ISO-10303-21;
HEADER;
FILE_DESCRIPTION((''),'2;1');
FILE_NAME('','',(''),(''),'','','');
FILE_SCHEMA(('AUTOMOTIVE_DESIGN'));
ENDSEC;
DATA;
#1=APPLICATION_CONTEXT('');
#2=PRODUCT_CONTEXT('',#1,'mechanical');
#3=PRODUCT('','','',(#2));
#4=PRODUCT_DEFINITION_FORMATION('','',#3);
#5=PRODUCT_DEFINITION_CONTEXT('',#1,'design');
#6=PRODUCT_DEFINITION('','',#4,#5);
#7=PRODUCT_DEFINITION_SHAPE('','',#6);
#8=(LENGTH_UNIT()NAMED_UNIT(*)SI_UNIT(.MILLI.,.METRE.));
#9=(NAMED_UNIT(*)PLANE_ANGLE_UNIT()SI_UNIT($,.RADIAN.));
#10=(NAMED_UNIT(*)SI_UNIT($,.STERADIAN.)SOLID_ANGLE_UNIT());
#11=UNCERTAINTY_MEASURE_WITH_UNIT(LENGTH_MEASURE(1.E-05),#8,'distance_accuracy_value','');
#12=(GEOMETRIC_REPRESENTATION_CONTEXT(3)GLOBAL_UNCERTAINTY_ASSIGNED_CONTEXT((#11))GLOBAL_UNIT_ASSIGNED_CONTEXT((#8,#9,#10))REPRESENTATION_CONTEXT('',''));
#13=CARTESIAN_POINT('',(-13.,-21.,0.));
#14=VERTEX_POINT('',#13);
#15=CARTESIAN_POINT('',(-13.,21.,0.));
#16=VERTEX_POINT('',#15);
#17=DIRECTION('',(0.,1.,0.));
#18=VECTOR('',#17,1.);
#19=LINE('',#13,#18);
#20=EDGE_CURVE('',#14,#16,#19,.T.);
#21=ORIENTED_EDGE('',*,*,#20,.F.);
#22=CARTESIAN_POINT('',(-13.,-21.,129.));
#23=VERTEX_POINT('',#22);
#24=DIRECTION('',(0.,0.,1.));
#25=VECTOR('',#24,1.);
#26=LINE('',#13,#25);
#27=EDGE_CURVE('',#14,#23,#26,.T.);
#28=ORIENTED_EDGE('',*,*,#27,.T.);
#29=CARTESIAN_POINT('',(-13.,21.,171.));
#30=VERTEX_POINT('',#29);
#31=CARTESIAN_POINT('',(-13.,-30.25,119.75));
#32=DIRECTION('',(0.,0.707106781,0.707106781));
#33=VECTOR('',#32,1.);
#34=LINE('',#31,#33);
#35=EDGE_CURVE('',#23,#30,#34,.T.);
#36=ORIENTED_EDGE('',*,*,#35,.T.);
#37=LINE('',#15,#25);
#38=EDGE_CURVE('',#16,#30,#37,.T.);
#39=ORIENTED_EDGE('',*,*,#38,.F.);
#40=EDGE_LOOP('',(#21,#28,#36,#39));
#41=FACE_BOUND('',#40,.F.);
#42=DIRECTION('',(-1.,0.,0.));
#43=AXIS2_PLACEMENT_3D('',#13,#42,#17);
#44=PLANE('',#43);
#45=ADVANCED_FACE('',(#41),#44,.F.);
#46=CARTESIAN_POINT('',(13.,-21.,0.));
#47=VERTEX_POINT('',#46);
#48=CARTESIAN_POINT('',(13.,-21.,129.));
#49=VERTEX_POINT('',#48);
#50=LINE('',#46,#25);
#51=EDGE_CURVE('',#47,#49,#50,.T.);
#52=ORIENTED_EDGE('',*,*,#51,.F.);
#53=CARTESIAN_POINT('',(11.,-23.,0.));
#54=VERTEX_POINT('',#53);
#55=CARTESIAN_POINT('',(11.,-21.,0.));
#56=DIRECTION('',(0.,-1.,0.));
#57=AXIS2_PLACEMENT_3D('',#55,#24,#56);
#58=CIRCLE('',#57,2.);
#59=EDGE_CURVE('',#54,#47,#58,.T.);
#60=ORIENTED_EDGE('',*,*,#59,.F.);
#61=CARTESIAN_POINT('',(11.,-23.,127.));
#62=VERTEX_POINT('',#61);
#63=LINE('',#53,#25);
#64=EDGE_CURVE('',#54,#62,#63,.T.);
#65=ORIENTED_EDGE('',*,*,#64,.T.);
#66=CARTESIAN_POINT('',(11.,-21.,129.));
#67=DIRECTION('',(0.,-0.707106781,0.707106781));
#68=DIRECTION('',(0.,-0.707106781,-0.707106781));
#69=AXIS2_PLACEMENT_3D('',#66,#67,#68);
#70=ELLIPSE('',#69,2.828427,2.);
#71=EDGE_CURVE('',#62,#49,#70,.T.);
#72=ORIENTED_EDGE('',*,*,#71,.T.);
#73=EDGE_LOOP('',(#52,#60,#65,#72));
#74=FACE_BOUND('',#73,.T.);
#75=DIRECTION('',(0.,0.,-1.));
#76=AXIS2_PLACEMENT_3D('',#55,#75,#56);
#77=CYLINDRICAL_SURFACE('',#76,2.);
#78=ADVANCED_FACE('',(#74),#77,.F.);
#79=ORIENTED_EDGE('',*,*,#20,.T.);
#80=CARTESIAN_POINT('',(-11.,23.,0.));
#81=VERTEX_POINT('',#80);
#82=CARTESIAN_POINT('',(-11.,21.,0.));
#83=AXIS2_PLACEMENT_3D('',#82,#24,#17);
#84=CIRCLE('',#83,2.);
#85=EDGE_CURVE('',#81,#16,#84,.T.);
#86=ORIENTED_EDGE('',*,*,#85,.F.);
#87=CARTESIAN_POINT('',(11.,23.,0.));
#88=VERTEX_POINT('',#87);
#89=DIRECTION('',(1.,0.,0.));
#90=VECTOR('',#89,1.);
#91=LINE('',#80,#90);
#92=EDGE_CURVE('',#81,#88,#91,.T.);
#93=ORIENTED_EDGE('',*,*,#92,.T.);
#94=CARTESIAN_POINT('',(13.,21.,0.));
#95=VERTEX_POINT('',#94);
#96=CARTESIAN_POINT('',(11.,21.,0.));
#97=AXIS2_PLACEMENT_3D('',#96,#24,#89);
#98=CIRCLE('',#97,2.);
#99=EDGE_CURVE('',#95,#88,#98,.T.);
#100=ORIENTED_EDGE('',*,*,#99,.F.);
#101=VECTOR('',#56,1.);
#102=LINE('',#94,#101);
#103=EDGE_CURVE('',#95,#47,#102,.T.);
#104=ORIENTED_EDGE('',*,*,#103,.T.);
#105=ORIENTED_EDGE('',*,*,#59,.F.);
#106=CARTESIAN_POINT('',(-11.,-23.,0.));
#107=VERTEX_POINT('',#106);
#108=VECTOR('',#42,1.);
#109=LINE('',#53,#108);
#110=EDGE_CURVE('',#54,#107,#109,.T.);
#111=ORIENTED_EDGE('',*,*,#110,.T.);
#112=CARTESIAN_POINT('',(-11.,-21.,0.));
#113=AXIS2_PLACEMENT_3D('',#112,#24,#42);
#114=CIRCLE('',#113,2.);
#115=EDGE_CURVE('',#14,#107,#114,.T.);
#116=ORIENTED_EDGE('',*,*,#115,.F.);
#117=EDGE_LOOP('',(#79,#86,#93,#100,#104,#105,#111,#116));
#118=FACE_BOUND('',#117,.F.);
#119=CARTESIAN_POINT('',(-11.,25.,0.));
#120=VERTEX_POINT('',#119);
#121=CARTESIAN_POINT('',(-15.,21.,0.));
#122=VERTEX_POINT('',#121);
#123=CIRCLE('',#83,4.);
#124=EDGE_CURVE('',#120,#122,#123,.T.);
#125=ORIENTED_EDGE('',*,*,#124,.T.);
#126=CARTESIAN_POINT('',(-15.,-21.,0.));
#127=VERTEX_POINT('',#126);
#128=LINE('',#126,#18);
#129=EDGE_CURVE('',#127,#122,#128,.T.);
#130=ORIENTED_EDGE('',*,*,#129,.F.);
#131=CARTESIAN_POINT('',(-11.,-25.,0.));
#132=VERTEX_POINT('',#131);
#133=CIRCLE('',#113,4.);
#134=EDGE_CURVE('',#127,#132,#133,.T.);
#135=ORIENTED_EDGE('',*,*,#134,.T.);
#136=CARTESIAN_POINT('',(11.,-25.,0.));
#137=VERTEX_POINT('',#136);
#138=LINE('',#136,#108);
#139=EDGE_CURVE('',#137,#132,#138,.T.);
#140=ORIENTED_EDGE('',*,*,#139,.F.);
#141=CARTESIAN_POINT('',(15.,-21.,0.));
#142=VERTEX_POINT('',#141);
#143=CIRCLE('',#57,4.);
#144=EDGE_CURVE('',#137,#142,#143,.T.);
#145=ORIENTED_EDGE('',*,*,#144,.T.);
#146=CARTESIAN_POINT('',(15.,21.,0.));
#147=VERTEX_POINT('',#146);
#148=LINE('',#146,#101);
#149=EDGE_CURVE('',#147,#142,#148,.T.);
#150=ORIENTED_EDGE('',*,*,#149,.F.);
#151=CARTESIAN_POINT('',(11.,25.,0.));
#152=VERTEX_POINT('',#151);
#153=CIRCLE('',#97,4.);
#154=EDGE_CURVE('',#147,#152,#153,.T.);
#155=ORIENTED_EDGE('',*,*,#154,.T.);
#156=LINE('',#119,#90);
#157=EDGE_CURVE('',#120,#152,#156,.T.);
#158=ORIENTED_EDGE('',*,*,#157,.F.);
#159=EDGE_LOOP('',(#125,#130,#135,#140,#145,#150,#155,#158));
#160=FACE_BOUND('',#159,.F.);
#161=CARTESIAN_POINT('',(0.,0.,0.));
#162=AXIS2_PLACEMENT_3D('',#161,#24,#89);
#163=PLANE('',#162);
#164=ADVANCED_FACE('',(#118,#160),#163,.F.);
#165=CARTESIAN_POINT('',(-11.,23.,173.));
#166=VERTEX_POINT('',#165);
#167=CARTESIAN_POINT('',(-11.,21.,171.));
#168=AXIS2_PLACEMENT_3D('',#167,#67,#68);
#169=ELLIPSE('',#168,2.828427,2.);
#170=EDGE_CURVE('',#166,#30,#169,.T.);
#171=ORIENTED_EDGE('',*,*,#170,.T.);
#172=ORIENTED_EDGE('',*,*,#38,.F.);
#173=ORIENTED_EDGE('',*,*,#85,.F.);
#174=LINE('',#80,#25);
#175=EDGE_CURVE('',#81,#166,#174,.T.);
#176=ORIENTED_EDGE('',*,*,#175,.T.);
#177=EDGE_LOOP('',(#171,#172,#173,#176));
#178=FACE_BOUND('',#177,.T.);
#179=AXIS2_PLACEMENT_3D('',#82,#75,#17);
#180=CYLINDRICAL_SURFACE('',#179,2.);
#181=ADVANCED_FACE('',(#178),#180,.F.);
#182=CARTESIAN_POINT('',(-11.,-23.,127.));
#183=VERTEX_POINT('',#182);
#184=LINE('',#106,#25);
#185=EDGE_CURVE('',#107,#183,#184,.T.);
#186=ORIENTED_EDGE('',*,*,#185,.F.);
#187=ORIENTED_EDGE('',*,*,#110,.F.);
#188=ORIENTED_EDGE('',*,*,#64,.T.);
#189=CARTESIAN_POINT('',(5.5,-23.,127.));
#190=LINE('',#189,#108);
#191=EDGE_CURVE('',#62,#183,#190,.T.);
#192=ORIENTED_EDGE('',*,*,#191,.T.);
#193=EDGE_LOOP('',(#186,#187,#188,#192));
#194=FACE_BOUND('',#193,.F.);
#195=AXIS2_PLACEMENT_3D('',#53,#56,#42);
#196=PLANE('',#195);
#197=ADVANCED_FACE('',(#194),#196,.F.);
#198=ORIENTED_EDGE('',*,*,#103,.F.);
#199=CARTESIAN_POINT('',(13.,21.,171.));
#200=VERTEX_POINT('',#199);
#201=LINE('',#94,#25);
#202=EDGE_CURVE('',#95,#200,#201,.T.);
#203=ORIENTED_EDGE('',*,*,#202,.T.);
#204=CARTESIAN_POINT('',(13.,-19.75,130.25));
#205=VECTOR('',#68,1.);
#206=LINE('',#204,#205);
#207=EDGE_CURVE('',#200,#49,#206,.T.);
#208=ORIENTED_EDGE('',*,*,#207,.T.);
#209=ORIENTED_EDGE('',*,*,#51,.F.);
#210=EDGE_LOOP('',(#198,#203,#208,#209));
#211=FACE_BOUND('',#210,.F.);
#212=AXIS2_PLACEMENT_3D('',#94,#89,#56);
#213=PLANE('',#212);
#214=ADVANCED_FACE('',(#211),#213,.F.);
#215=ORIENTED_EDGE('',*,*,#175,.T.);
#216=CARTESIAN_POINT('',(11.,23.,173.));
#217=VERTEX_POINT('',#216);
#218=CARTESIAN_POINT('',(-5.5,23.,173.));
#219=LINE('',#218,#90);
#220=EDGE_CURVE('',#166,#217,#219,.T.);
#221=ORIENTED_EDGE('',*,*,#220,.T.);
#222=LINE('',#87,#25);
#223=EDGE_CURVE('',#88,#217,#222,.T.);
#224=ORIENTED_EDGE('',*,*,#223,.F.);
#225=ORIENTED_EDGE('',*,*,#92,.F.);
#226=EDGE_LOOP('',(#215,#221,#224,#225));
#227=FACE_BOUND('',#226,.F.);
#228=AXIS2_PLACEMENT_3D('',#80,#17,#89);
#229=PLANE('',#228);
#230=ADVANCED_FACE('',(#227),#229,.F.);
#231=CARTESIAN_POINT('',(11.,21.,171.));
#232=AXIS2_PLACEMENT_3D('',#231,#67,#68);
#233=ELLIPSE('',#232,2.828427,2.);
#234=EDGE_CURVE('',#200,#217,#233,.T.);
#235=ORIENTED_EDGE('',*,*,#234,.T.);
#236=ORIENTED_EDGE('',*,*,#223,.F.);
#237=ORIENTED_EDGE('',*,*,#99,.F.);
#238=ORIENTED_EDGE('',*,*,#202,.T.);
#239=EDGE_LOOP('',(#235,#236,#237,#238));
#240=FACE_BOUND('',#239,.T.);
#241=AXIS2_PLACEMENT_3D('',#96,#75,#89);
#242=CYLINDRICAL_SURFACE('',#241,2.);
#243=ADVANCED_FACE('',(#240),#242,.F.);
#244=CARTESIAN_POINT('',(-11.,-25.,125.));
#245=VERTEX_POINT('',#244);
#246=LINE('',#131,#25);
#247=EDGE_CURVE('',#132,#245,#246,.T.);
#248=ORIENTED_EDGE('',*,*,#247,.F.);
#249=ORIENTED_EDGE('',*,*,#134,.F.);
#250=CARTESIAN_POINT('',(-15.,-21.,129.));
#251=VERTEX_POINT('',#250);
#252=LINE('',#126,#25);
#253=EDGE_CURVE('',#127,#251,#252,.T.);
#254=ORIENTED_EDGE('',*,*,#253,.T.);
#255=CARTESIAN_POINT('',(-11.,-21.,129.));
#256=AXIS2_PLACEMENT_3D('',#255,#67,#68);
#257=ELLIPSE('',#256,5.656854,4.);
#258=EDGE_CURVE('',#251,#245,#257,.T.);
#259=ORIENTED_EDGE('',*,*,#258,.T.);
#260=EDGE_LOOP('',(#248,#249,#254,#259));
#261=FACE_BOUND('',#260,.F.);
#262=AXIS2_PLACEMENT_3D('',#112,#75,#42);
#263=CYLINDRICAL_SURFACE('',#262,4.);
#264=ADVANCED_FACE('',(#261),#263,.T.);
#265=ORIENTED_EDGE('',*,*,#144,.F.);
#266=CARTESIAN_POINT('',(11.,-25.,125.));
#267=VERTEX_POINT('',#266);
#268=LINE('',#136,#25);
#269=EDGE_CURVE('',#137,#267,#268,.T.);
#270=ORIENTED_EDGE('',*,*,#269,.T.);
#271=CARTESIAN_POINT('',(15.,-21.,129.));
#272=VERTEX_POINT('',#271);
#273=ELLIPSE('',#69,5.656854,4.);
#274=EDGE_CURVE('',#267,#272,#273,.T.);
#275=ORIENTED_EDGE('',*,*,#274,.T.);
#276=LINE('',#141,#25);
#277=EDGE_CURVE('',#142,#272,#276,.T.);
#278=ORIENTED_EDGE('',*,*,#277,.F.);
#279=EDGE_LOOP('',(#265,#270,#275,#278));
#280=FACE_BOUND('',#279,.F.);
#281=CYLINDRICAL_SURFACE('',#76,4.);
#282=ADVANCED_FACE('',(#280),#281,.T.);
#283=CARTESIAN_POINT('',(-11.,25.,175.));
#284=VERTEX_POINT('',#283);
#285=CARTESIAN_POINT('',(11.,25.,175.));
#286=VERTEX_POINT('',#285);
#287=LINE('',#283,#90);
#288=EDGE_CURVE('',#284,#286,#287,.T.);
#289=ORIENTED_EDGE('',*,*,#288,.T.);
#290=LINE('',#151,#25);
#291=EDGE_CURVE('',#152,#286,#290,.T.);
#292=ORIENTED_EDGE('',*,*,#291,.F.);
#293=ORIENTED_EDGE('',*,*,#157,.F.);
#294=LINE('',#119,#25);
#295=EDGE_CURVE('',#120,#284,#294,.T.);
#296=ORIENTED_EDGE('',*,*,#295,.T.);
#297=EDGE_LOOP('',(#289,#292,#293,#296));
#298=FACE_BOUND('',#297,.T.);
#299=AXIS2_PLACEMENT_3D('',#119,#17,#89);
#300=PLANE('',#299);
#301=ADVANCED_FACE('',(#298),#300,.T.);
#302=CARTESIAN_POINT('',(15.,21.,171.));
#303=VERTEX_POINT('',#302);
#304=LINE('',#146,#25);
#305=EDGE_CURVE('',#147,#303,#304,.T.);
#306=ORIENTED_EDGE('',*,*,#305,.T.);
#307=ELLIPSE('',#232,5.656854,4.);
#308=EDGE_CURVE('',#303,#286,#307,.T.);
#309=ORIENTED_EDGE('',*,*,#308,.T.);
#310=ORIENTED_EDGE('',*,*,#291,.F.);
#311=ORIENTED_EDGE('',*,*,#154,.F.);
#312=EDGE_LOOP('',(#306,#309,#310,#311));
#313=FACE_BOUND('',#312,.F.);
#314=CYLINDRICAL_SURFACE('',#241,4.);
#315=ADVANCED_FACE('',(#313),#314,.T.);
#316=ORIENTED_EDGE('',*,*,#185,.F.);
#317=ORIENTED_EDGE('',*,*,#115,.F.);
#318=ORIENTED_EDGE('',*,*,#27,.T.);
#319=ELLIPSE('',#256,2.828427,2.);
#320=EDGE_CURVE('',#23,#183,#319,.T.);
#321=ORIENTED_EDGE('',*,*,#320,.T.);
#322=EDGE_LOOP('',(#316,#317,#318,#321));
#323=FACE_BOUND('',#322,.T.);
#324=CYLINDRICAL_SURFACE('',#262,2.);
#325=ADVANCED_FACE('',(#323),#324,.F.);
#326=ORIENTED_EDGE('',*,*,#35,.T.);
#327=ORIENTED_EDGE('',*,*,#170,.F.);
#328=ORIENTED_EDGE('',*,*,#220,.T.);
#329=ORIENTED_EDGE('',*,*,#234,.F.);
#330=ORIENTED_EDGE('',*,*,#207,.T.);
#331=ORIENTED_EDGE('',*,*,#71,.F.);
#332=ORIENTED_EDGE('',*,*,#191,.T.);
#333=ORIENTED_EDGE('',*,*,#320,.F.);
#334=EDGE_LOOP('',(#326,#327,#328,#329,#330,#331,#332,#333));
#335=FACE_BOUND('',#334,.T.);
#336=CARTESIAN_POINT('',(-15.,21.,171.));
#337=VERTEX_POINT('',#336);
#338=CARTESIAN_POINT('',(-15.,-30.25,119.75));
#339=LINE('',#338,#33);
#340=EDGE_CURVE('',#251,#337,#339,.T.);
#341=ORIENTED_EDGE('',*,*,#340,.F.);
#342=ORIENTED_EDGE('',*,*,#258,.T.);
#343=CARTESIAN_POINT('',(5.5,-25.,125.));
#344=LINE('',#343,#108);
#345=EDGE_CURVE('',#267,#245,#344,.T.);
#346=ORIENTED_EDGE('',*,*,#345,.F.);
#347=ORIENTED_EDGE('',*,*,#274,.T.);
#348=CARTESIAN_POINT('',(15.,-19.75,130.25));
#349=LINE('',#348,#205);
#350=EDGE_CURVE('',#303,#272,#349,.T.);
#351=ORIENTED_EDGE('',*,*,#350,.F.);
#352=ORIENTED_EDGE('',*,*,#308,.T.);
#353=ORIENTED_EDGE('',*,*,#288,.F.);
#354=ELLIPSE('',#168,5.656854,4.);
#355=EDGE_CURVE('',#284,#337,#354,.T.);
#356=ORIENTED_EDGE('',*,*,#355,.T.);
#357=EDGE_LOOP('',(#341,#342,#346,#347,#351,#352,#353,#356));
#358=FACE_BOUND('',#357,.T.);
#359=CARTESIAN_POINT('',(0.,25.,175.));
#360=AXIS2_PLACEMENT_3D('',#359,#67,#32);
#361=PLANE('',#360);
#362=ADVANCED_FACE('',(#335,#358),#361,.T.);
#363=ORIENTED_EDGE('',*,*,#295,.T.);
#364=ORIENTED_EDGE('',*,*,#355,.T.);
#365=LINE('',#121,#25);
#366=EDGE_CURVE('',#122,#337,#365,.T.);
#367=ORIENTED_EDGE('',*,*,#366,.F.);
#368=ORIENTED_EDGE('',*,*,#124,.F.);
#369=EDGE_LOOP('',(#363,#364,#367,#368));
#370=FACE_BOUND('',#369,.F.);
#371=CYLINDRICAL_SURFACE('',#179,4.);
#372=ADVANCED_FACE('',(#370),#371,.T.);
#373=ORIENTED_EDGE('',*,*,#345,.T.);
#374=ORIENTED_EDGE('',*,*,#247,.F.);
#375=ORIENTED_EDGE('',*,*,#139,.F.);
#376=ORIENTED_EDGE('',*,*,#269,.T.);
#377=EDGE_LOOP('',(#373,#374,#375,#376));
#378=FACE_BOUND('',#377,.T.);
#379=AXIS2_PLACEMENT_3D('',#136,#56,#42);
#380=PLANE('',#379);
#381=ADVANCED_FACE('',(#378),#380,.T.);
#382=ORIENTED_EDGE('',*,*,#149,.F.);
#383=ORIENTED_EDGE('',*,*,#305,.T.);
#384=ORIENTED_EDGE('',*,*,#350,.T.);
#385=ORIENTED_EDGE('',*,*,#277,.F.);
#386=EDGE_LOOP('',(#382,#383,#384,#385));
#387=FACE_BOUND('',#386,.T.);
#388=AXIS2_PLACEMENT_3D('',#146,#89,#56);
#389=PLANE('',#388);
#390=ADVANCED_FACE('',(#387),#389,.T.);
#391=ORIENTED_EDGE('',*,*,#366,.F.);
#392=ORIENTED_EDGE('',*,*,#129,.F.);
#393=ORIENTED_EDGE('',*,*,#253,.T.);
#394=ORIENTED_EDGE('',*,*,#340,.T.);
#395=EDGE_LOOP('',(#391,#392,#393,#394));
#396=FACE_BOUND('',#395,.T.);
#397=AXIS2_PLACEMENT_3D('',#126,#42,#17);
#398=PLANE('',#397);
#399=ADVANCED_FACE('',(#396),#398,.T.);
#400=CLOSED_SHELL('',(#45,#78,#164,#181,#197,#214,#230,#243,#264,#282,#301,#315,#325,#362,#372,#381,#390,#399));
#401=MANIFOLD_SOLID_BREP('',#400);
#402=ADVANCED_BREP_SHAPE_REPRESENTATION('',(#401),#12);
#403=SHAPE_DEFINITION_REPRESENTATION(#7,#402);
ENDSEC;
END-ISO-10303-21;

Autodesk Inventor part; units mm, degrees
ref_plane "Plano inicial" through (0, 0, 0) normal (0, 0, 1) x (1, 0, 0)
ref_plane "Plano final" through (0, 0, 175) normal (0, 0, 1) x (1, 0, 0)
sketch "Esboço" plane through (0, 0, 0) normal (0, 0, 1) x (1, 0, 0)
  line L0 (-15, -21) -> (-15, 21)
  line L1 (-11, 25) -> (11, 25)
  line L2 (15, 21) -> (15, -21)
  line L3 (11, -25) -> (-11, -25)
  arc A0 (-15, -21) -> (-11, -25) centre (-11, -21) ccw
  arc A1 (15, 21) -> (11, 25) centre (11, 21) ccw
  arc A2 (-11, 25) -> (-15, 21) centre (-11, 21) ccw
  arc A3 (11, -25) -> (15, -21) centre (11, -21) ccw
  arc A4 (-11, 23) -> (-13, 21) centre (-11, 21) ccw
  line L4 (-11, 23) -> (11, 23)
  arc A5 (13, 21) -> (11, 23) centre (11, 21) ccw
  line L5 (13, 21) -> (13, -21)
  arc A6 (11, -23) -> (13, -21) centre (11, -21) ccw
  line L6 (11, -23) -> (-11, -23)
  arc A7 (-13, -21) -> (-11, -23) centre (-11, -21) ccw
  line L7 (-13, -21) -> (-13, 21)
  line L8 (0, 36.1598) -> (0, -36.1598) construction
  line L9 (-22.1598, 0) -> (22.1598, 0) construction
  dimension "d7" = 4
  dimension "d9" = 30
  dimension "d11" = 50
  dimension "d12" = 2
  dimension "d15" = 15
  dimension "d16" = 25
extrude "Corpo" add sketch "Esboço" along normal up to surface (175 mm away) from surface at 0
sketch "Sketch3" plane through (0, 0, 0) normal (0, 0, 1) x (1, 0, 0)
  line L0 (0, 0) -> (10, 0)
ref_plane "Work Plane3" through (0, 0, 0) normal (0, -1, 0) x (1, 0, 0)
sketch "Sketch4" plane through (0, 0, 0) normal (0, -1, 0) x (1, 0, 0)
  line L0 (-2, 0) -> (12, 0)
  line L1 (-2, 175) -> (12, 175)
  dimension "d18" = 175
ref_plane "Plano de trabalho5" through (0, 25, 175) normal (0, -0.7071, 0.7071) x (1, 0, 0)
split "Dividir2" plane through (0, 25, 175) removes the side toward (0, -0.7071, 0.7071)
equation "\"d7\" = G_IR"
equation "\"d9\" = G_W"
equation "\"d11\" = G_H"
equation "\"d12\" = G_T"
equation "\"d15\" = 0.5 * d9"
equation "\"d16\" = 0.5 * d11"
equation "\"d3\" = G_L"
equation "\"G_W\" = 30"
equation "\"G_H\" = 50"
equation "\"G_T\" = 2"
equation "\"G_IR\" = 4"
equation "\"G_L\" = d18"
equation "\"G_OFFSET_START\" = 0"
equation "\"G_OFFSET_END\" = 0"
equation "\"d14\" = G_OFFSET_END + B_L"
equation "\"B_L\" = 175"
properties part number "ISO 4019 - 50x30x2 - 175" material "Aço, suave"
